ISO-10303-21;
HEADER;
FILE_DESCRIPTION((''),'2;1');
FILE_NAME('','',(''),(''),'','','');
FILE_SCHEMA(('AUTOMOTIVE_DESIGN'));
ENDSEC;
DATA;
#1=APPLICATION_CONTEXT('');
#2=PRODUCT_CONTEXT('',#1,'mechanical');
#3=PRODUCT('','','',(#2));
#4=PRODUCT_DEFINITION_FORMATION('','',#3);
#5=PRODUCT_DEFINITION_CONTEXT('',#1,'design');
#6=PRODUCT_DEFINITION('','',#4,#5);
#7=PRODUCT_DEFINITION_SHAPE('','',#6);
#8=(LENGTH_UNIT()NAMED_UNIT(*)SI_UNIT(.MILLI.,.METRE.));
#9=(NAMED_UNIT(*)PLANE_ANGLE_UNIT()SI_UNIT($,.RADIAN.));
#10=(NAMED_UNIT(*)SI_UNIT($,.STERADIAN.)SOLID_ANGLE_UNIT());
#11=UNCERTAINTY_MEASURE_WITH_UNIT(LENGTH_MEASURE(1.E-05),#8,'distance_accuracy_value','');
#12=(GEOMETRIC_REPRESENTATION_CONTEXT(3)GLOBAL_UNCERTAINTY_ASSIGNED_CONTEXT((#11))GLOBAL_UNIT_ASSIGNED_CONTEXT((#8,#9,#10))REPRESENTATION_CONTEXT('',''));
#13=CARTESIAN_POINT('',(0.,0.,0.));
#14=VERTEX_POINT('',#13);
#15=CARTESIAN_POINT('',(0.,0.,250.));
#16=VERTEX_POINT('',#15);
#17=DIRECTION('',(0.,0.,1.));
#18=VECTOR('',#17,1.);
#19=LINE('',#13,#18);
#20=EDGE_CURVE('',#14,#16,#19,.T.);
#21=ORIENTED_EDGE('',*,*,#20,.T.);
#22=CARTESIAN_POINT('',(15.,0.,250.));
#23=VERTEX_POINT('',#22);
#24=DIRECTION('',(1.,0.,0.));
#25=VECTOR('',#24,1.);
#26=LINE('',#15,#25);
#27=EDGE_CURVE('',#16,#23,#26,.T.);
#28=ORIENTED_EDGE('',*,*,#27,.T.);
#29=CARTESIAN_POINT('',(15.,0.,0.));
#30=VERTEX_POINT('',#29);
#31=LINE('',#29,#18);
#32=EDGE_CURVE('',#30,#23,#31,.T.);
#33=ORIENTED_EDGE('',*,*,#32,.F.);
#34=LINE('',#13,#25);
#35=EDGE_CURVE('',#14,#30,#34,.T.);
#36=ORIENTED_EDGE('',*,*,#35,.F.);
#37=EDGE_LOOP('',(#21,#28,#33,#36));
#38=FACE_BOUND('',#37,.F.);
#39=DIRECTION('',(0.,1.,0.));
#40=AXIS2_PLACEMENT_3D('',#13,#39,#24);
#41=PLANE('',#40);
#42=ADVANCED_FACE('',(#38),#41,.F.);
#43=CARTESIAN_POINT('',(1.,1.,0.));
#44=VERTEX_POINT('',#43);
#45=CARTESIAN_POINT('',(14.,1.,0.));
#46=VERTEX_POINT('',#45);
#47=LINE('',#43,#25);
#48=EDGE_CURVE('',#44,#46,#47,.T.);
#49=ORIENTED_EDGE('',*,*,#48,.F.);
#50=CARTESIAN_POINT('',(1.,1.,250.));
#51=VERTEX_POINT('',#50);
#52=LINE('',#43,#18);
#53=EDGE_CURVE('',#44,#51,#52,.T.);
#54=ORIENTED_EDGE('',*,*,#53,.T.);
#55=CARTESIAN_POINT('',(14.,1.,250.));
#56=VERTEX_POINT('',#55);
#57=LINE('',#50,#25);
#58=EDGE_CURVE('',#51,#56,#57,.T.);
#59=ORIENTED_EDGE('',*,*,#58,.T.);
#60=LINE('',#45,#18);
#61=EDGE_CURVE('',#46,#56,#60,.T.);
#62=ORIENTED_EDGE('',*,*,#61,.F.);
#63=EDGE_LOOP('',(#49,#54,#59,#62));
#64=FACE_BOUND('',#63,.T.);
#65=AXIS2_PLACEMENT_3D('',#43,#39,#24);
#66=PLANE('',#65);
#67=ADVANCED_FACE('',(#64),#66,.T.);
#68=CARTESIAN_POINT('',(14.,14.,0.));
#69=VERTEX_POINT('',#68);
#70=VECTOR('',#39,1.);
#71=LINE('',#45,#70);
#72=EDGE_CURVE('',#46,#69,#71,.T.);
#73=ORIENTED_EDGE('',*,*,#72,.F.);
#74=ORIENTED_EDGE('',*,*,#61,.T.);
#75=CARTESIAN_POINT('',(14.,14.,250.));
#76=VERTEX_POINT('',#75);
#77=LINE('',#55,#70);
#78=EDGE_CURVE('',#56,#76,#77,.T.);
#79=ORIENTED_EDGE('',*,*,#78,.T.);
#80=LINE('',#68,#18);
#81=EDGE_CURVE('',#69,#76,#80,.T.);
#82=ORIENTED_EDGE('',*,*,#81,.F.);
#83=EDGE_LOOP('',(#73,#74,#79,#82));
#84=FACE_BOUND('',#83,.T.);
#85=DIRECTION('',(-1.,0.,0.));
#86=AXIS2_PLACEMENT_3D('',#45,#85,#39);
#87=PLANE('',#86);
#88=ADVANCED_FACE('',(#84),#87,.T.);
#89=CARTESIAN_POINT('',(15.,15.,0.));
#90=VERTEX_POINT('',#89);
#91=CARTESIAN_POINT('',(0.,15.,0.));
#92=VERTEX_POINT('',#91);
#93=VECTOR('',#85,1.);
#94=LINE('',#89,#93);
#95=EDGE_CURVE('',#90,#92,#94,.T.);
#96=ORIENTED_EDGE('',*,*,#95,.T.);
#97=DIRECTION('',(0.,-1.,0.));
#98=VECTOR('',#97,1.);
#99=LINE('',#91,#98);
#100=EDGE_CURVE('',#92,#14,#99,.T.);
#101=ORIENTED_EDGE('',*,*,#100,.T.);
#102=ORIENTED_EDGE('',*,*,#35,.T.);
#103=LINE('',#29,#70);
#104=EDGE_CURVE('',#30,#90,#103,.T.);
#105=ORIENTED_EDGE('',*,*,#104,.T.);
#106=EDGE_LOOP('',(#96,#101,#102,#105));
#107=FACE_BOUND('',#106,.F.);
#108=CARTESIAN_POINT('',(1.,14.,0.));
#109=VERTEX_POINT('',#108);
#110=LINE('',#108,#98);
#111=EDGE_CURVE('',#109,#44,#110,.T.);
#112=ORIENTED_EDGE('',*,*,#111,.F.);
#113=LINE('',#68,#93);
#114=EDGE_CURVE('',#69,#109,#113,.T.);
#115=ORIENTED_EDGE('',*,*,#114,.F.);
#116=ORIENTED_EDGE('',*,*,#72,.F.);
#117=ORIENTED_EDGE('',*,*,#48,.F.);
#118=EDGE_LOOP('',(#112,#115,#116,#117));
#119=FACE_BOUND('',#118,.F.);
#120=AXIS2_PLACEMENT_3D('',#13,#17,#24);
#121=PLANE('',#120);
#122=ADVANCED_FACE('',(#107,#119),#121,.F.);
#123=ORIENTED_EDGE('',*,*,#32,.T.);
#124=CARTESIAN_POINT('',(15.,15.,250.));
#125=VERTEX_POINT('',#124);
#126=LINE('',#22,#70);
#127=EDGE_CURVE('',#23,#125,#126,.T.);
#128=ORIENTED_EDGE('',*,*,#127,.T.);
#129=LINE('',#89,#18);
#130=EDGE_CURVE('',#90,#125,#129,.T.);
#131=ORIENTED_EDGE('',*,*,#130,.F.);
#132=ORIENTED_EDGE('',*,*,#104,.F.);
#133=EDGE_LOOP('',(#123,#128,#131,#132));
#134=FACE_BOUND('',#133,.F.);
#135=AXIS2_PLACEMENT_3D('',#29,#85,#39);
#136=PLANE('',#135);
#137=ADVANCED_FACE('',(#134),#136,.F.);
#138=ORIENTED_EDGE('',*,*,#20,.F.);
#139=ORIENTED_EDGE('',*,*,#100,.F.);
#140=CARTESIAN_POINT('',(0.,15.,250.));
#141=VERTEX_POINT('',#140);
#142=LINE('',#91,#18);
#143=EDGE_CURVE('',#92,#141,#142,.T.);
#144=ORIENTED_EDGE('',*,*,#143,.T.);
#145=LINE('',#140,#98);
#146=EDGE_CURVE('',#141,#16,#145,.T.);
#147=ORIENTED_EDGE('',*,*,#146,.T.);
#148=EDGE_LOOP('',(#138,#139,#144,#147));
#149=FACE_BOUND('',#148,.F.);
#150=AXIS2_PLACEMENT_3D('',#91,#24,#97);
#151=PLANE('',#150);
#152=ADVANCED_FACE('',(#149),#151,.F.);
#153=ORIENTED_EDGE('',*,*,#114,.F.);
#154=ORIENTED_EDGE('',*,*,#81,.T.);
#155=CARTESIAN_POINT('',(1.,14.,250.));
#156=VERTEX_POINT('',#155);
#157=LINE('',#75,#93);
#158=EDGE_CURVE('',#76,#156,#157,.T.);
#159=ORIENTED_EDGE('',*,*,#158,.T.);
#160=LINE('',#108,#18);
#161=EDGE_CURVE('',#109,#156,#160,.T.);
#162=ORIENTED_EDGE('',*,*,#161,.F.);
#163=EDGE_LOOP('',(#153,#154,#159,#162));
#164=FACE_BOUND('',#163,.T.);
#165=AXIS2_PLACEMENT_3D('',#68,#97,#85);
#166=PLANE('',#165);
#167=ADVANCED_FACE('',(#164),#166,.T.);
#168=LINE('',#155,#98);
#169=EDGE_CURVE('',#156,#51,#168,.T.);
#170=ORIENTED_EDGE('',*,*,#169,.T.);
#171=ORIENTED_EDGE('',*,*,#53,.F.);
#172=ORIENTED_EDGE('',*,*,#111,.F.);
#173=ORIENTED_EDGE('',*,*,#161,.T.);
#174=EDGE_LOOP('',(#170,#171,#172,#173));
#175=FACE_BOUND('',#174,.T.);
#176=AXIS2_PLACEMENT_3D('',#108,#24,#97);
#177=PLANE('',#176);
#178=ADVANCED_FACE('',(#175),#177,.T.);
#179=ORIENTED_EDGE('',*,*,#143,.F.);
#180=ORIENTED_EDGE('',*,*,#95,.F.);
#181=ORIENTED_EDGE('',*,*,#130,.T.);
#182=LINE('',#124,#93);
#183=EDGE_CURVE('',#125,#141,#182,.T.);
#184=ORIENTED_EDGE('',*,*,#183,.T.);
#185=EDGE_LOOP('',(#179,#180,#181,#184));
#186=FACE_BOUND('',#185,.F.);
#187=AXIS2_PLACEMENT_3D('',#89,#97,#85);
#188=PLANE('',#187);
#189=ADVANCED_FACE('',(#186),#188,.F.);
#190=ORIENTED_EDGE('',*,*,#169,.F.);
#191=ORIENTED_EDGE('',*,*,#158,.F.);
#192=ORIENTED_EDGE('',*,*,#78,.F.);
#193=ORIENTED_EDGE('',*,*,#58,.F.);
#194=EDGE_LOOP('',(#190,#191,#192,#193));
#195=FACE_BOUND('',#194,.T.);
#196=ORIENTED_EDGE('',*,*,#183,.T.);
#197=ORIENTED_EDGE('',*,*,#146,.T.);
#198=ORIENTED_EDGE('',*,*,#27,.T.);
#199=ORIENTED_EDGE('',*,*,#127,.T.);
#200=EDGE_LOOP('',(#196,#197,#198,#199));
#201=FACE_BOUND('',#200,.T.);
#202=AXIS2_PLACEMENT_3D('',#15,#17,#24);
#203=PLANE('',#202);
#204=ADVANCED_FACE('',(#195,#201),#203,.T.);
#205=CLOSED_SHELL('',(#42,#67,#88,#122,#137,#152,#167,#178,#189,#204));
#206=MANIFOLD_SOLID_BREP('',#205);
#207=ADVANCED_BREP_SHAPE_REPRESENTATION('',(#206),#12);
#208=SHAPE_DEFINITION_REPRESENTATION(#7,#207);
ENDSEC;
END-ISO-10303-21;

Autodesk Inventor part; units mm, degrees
ref_plane "YZ Plane" through (0, 0, 0) normal (1, 0, 0) x (0, 1, 0)
ref_plane "XZ Plane" through (0, 0, 0) normal (0, 1, 0) x (-1, 0, 0)
ref_plane "XY Plane" through (0, 0, 0) normal (0, 0, 1) x (1, 0, 0)
sketch "スケッチ1" plane through (0, 0, 0) normal (0, 0, 1) x (1, 0, 0)
  line L0 (0, 0) -> (15, 0)
  line L1 (15, 0) -> (15, 15)
  line L2 (15, 15) -> (0, 15)
  line L3 (0, 15) -> (0, 0)
  line L4 (1, 1) -> (14, 1)
  line L5 (14, 1) -> (14, 14)
  line L6 (14, 14) -> (1, 14)
  line L7 (1, 14) -> (1, 1)
  dimension "d0" = 15
  dimension "d1" = 15
  dimension "d2" = 13
  dimension "d3" = 13
  dimension "d4" = 1
  dimension "d5" = 1
extrude "押し出し1" add sketch "スケッチ1" along normal blind 250
properties part number "NHK_t0_12"
